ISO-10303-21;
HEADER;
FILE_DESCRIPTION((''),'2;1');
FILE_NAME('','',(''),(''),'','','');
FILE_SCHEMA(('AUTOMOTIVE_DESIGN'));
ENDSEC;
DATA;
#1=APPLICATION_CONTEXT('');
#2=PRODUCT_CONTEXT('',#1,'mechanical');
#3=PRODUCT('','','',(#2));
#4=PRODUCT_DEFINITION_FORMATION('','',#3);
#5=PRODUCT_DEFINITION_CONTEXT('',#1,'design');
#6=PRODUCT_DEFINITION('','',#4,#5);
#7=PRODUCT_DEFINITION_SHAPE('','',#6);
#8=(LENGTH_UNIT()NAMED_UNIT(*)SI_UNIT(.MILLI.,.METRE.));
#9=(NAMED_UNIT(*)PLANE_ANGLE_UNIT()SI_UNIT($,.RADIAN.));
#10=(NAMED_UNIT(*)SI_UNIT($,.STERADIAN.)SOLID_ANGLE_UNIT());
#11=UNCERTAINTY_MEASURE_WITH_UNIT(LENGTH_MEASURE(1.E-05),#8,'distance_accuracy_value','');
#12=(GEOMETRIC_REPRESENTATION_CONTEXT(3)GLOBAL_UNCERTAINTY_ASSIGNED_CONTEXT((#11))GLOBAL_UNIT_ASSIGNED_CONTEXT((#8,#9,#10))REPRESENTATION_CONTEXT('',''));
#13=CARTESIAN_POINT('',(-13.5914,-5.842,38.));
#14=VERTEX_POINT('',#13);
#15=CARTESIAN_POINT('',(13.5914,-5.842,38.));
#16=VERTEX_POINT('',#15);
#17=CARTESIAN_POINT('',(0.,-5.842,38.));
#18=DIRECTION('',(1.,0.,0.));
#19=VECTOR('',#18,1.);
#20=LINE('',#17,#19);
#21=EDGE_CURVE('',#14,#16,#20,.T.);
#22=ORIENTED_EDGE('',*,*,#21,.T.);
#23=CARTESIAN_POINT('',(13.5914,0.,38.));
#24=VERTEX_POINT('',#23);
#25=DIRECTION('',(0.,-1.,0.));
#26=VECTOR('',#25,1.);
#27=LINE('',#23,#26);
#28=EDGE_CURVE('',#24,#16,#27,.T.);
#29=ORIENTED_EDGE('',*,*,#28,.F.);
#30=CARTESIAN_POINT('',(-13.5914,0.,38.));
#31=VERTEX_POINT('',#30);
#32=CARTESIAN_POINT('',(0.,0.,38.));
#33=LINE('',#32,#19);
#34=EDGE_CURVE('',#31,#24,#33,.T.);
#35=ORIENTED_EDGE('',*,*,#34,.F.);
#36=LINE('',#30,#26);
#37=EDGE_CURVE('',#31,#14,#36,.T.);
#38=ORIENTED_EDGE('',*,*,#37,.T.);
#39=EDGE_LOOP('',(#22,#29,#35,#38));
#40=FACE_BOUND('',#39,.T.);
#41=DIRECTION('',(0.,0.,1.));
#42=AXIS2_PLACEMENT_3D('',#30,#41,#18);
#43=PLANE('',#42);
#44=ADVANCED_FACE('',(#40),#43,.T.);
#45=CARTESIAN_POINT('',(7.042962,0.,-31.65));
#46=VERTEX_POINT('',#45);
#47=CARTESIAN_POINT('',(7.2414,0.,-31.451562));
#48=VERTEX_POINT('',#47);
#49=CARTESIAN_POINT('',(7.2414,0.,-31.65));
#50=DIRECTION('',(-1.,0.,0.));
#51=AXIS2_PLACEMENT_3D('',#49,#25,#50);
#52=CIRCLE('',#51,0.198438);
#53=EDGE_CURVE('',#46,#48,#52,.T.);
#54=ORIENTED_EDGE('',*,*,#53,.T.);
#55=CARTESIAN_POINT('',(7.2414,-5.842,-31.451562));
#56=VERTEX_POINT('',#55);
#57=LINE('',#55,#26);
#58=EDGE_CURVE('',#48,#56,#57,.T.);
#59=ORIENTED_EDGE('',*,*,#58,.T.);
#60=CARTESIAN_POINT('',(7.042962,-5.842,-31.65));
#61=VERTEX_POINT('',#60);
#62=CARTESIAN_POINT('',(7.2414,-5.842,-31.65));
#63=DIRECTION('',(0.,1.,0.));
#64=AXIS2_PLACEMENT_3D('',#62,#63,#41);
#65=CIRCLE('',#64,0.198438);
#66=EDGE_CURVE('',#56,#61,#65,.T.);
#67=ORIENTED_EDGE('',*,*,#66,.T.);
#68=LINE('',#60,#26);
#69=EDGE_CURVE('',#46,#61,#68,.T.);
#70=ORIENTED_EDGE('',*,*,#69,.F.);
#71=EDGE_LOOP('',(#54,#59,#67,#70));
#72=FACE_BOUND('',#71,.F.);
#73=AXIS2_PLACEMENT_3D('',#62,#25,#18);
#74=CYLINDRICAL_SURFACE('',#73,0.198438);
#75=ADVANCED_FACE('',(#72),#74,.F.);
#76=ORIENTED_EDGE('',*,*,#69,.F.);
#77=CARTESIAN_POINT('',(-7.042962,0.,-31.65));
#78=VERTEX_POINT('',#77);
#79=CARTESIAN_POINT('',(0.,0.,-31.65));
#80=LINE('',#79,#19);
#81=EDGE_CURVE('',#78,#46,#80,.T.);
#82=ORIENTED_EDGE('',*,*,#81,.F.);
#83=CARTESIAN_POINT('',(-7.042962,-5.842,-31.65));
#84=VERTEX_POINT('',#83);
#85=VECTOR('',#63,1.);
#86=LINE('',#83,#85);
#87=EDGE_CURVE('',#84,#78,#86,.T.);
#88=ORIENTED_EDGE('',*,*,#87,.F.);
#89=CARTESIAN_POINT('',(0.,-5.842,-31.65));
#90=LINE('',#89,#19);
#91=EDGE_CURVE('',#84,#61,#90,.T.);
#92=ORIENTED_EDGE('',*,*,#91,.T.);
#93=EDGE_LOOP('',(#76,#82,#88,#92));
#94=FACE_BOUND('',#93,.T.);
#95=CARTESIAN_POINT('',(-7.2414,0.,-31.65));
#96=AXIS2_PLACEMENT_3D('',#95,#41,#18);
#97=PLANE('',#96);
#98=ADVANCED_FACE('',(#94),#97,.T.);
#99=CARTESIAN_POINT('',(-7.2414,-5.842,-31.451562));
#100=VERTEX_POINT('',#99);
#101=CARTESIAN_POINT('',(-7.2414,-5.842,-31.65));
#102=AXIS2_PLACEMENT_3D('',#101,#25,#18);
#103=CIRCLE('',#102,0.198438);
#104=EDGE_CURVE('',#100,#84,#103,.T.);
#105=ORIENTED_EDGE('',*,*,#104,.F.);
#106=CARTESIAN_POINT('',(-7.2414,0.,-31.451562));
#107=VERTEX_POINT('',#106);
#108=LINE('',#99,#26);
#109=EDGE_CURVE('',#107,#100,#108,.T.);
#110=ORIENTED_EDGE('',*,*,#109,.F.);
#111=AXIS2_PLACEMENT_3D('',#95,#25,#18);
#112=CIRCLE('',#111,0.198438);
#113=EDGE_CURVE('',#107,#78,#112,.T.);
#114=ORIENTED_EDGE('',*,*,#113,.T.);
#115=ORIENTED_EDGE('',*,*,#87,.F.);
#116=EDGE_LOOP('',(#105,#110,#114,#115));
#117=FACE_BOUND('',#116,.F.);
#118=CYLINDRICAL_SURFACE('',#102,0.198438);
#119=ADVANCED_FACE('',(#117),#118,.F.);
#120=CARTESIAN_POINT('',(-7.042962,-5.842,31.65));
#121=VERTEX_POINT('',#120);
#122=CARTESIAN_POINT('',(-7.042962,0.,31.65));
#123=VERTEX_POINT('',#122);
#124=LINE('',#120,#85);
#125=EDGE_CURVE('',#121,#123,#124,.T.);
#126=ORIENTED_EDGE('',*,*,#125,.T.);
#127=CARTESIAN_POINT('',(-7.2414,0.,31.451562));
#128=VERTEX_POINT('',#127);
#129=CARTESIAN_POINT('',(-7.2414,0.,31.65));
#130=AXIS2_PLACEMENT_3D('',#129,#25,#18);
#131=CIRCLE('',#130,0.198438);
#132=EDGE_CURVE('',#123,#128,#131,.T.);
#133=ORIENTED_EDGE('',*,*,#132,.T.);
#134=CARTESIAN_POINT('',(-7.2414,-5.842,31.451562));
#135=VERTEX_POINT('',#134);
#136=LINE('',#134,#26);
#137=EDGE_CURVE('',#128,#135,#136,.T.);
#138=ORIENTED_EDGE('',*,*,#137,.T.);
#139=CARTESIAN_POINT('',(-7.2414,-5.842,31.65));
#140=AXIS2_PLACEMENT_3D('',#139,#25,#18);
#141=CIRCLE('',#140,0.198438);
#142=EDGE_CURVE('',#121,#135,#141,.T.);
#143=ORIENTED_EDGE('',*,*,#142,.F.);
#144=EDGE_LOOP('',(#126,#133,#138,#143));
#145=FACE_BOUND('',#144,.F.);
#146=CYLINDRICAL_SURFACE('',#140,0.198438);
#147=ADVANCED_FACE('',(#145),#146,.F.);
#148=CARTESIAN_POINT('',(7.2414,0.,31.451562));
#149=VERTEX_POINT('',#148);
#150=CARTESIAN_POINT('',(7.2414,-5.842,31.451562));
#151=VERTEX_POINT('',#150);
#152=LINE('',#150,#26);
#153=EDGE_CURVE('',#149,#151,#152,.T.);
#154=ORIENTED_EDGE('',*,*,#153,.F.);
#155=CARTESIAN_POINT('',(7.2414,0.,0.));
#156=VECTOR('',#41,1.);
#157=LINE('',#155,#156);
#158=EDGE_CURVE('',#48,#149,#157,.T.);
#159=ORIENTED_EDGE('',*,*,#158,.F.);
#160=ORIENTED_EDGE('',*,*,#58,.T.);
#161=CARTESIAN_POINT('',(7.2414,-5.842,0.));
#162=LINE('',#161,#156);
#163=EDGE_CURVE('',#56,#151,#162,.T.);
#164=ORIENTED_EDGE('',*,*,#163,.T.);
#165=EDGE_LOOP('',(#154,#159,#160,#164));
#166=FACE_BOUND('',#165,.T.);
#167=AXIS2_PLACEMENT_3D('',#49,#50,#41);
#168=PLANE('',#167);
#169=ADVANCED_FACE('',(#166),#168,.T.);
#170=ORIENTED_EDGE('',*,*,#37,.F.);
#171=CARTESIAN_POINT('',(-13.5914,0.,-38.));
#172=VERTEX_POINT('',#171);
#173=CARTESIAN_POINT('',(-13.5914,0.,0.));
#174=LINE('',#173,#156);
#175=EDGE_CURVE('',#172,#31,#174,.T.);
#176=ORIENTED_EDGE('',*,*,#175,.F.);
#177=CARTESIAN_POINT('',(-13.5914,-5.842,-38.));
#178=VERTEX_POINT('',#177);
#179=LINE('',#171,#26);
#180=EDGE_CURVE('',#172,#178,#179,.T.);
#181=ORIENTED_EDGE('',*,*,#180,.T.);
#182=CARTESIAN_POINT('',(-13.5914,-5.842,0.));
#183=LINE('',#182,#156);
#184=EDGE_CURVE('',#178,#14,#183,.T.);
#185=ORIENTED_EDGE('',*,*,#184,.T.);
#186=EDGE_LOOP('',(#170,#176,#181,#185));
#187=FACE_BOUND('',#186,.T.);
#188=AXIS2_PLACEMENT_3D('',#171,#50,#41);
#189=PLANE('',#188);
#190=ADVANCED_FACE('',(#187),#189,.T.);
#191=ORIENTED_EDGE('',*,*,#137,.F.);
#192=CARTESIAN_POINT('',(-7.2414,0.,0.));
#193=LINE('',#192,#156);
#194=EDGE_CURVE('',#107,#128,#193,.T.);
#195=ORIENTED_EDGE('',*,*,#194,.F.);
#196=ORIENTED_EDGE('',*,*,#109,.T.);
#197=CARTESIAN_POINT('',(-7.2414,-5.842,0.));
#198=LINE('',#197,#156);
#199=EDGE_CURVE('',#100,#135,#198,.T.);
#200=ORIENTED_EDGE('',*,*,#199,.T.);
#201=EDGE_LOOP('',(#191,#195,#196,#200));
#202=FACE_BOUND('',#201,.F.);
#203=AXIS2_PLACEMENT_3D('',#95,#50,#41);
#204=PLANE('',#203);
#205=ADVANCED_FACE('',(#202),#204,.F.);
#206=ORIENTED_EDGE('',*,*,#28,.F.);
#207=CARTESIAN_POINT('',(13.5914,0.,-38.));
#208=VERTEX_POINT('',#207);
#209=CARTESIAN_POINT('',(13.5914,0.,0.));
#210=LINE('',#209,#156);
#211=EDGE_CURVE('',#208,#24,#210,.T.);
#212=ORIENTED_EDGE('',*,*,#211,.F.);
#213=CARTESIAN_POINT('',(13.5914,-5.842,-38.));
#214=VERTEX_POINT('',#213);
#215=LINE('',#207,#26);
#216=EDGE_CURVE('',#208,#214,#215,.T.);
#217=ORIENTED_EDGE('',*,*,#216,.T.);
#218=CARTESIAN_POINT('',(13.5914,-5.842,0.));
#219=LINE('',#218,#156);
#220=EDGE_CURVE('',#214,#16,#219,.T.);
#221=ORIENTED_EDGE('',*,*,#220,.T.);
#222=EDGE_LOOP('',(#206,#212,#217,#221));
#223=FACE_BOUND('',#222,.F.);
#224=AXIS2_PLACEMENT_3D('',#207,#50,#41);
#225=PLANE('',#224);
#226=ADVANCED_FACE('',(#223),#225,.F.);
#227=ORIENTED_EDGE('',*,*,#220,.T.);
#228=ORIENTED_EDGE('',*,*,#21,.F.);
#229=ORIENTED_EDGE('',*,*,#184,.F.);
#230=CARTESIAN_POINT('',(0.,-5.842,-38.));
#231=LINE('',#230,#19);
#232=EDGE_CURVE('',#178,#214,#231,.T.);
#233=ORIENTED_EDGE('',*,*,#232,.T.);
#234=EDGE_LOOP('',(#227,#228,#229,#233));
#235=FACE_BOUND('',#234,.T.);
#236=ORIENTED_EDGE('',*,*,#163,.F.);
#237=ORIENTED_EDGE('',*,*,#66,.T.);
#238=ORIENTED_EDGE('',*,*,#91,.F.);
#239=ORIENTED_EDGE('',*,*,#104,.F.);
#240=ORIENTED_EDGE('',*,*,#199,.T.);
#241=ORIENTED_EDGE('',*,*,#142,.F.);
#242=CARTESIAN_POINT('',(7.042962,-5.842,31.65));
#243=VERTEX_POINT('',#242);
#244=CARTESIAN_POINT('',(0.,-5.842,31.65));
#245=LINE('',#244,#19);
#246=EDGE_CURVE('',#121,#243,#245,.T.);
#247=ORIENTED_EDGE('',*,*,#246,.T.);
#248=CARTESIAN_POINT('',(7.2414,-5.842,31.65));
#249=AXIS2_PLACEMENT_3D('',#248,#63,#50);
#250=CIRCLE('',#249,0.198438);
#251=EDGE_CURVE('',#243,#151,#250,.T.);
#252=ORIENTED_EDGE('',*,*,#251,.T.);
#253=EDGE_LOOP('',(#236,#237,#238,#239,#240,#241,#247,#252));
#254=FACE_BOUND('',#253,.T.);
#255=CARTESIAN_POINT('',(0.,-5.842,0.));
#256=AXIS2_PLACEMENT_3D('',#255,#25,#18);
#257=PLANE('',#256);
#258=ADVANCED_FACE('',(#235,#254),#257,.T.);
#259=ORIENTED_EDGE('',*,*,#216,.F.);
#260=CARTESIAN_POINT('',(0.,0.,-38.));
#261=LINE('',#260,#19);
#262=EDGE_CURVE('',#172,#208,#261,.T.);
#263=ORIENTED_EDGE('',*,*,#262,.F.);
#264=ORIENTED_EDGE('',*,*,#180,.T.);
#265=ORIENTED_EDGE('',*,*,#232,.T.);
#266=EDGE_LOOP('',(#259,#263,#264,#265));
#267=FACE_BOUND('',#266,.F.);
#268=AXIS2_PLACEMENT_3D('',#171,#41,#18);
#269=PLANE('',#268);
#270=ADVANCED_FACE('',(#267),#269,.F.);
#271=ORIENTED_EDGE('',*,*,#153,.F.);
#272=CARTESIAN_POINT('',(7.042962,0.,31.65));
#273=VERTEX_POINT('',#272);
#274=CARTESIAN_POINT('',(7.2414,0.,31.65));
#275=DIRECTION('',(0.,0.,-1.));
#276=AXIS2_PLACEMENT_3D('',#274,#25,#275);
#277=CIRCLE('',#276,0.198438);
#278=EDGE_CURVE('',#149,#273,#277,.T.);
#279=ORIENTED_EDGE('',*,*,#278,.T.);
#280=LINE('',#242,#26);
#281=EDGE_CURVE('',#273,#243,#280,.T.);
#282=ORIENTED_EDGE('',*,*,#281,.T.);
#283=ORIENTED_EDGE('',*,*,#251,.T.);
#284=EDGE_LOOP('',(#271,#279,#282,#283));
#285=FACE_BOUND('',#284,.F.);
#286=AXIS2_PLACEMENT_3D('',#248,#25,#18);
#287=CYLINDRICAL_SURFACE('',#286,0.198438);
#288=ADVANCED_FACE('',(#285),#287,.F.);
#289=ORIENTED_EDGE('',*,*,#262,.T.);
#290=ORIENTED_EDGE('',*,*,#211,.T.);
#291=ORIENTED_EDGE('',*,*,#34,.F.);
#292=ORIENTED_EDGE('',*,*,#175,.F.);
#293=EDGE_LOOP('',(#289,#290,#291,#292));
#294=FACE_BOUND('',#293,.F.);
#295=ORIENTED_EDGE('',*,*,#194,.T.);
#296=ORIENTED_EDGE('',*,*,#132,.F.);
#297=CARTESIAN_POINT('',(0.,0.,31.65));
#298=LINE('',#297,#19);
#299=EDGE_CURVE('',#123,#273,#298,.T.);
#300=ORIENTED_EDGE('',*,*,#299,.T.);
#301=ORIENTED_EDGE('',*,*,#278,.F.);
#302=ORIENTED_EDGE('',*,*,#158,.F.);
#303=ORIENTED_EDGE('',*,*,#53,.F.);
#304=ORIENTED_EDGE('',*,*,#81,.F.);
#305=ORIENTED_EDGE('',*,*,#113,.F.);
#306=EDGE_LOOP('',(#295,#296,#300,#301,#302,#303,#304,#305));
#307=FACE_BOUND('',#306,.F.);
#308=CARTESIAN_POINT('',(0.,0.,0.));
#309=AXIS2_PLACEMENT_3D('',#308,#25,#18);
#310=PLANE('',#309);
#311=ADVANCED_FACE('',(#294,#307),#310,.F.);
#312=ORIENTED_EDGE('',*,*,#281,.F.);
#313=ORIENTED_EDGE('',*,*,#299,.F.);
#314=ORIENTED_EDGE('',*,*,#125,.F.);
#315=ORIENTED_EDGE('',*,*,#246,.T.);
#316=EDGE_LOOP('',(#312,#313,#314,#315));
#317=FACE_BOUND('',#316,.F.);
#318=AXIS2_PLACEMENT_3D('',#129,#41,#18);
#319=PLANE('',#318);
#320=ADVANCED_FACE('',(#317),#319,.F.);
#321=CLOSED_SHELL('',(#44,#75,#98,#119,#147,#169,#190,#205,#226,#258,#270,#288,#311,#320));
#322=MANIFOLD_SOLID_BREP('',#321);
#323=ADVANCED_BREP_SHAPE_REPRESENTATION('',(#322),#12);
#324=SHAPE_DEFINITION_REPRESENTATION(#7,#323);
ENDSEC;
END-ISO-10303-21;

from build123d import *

# Parameters (mm, degrees)
F0_W     = 27.1828
F0_H     = 76
F0_W_2   = 14.4828
F0_H_2   = 63.3
F1_DEPTH = 5.842
F2_R     = 0.198438
F3_DEPTH = 5.843


with BuildPart() as f1:
    # F0 (on Front) → F1 (new body)
    with BuildSketch(Plane.XZ):
        Rectangle(F0_W, F0_H)
        Rectangle(F0_W_2, F0_H_2, mode=Mode.SUBTRACT)
    extrude(amount=F1_DEPTH)

    # F2 (on face) → F3 (cut, through all)
    with BuildSketch(Plane.XZ.offset(5.842)):
        with Locations((-7.2414, 31.65)):
            Circle(F2_R)
        with Locations((7.2414, 31.65)):
            Circle(F2_R)
        with Locations((-7.2414, -31.65)):
            Circle(F2_R)
        with Locations((7.2414, -31.65)):
            Circle(F2_R)
    extrude(amount=-F3_DEPTH, mode=Mode.SUBTRACT)


solid = f1.part
